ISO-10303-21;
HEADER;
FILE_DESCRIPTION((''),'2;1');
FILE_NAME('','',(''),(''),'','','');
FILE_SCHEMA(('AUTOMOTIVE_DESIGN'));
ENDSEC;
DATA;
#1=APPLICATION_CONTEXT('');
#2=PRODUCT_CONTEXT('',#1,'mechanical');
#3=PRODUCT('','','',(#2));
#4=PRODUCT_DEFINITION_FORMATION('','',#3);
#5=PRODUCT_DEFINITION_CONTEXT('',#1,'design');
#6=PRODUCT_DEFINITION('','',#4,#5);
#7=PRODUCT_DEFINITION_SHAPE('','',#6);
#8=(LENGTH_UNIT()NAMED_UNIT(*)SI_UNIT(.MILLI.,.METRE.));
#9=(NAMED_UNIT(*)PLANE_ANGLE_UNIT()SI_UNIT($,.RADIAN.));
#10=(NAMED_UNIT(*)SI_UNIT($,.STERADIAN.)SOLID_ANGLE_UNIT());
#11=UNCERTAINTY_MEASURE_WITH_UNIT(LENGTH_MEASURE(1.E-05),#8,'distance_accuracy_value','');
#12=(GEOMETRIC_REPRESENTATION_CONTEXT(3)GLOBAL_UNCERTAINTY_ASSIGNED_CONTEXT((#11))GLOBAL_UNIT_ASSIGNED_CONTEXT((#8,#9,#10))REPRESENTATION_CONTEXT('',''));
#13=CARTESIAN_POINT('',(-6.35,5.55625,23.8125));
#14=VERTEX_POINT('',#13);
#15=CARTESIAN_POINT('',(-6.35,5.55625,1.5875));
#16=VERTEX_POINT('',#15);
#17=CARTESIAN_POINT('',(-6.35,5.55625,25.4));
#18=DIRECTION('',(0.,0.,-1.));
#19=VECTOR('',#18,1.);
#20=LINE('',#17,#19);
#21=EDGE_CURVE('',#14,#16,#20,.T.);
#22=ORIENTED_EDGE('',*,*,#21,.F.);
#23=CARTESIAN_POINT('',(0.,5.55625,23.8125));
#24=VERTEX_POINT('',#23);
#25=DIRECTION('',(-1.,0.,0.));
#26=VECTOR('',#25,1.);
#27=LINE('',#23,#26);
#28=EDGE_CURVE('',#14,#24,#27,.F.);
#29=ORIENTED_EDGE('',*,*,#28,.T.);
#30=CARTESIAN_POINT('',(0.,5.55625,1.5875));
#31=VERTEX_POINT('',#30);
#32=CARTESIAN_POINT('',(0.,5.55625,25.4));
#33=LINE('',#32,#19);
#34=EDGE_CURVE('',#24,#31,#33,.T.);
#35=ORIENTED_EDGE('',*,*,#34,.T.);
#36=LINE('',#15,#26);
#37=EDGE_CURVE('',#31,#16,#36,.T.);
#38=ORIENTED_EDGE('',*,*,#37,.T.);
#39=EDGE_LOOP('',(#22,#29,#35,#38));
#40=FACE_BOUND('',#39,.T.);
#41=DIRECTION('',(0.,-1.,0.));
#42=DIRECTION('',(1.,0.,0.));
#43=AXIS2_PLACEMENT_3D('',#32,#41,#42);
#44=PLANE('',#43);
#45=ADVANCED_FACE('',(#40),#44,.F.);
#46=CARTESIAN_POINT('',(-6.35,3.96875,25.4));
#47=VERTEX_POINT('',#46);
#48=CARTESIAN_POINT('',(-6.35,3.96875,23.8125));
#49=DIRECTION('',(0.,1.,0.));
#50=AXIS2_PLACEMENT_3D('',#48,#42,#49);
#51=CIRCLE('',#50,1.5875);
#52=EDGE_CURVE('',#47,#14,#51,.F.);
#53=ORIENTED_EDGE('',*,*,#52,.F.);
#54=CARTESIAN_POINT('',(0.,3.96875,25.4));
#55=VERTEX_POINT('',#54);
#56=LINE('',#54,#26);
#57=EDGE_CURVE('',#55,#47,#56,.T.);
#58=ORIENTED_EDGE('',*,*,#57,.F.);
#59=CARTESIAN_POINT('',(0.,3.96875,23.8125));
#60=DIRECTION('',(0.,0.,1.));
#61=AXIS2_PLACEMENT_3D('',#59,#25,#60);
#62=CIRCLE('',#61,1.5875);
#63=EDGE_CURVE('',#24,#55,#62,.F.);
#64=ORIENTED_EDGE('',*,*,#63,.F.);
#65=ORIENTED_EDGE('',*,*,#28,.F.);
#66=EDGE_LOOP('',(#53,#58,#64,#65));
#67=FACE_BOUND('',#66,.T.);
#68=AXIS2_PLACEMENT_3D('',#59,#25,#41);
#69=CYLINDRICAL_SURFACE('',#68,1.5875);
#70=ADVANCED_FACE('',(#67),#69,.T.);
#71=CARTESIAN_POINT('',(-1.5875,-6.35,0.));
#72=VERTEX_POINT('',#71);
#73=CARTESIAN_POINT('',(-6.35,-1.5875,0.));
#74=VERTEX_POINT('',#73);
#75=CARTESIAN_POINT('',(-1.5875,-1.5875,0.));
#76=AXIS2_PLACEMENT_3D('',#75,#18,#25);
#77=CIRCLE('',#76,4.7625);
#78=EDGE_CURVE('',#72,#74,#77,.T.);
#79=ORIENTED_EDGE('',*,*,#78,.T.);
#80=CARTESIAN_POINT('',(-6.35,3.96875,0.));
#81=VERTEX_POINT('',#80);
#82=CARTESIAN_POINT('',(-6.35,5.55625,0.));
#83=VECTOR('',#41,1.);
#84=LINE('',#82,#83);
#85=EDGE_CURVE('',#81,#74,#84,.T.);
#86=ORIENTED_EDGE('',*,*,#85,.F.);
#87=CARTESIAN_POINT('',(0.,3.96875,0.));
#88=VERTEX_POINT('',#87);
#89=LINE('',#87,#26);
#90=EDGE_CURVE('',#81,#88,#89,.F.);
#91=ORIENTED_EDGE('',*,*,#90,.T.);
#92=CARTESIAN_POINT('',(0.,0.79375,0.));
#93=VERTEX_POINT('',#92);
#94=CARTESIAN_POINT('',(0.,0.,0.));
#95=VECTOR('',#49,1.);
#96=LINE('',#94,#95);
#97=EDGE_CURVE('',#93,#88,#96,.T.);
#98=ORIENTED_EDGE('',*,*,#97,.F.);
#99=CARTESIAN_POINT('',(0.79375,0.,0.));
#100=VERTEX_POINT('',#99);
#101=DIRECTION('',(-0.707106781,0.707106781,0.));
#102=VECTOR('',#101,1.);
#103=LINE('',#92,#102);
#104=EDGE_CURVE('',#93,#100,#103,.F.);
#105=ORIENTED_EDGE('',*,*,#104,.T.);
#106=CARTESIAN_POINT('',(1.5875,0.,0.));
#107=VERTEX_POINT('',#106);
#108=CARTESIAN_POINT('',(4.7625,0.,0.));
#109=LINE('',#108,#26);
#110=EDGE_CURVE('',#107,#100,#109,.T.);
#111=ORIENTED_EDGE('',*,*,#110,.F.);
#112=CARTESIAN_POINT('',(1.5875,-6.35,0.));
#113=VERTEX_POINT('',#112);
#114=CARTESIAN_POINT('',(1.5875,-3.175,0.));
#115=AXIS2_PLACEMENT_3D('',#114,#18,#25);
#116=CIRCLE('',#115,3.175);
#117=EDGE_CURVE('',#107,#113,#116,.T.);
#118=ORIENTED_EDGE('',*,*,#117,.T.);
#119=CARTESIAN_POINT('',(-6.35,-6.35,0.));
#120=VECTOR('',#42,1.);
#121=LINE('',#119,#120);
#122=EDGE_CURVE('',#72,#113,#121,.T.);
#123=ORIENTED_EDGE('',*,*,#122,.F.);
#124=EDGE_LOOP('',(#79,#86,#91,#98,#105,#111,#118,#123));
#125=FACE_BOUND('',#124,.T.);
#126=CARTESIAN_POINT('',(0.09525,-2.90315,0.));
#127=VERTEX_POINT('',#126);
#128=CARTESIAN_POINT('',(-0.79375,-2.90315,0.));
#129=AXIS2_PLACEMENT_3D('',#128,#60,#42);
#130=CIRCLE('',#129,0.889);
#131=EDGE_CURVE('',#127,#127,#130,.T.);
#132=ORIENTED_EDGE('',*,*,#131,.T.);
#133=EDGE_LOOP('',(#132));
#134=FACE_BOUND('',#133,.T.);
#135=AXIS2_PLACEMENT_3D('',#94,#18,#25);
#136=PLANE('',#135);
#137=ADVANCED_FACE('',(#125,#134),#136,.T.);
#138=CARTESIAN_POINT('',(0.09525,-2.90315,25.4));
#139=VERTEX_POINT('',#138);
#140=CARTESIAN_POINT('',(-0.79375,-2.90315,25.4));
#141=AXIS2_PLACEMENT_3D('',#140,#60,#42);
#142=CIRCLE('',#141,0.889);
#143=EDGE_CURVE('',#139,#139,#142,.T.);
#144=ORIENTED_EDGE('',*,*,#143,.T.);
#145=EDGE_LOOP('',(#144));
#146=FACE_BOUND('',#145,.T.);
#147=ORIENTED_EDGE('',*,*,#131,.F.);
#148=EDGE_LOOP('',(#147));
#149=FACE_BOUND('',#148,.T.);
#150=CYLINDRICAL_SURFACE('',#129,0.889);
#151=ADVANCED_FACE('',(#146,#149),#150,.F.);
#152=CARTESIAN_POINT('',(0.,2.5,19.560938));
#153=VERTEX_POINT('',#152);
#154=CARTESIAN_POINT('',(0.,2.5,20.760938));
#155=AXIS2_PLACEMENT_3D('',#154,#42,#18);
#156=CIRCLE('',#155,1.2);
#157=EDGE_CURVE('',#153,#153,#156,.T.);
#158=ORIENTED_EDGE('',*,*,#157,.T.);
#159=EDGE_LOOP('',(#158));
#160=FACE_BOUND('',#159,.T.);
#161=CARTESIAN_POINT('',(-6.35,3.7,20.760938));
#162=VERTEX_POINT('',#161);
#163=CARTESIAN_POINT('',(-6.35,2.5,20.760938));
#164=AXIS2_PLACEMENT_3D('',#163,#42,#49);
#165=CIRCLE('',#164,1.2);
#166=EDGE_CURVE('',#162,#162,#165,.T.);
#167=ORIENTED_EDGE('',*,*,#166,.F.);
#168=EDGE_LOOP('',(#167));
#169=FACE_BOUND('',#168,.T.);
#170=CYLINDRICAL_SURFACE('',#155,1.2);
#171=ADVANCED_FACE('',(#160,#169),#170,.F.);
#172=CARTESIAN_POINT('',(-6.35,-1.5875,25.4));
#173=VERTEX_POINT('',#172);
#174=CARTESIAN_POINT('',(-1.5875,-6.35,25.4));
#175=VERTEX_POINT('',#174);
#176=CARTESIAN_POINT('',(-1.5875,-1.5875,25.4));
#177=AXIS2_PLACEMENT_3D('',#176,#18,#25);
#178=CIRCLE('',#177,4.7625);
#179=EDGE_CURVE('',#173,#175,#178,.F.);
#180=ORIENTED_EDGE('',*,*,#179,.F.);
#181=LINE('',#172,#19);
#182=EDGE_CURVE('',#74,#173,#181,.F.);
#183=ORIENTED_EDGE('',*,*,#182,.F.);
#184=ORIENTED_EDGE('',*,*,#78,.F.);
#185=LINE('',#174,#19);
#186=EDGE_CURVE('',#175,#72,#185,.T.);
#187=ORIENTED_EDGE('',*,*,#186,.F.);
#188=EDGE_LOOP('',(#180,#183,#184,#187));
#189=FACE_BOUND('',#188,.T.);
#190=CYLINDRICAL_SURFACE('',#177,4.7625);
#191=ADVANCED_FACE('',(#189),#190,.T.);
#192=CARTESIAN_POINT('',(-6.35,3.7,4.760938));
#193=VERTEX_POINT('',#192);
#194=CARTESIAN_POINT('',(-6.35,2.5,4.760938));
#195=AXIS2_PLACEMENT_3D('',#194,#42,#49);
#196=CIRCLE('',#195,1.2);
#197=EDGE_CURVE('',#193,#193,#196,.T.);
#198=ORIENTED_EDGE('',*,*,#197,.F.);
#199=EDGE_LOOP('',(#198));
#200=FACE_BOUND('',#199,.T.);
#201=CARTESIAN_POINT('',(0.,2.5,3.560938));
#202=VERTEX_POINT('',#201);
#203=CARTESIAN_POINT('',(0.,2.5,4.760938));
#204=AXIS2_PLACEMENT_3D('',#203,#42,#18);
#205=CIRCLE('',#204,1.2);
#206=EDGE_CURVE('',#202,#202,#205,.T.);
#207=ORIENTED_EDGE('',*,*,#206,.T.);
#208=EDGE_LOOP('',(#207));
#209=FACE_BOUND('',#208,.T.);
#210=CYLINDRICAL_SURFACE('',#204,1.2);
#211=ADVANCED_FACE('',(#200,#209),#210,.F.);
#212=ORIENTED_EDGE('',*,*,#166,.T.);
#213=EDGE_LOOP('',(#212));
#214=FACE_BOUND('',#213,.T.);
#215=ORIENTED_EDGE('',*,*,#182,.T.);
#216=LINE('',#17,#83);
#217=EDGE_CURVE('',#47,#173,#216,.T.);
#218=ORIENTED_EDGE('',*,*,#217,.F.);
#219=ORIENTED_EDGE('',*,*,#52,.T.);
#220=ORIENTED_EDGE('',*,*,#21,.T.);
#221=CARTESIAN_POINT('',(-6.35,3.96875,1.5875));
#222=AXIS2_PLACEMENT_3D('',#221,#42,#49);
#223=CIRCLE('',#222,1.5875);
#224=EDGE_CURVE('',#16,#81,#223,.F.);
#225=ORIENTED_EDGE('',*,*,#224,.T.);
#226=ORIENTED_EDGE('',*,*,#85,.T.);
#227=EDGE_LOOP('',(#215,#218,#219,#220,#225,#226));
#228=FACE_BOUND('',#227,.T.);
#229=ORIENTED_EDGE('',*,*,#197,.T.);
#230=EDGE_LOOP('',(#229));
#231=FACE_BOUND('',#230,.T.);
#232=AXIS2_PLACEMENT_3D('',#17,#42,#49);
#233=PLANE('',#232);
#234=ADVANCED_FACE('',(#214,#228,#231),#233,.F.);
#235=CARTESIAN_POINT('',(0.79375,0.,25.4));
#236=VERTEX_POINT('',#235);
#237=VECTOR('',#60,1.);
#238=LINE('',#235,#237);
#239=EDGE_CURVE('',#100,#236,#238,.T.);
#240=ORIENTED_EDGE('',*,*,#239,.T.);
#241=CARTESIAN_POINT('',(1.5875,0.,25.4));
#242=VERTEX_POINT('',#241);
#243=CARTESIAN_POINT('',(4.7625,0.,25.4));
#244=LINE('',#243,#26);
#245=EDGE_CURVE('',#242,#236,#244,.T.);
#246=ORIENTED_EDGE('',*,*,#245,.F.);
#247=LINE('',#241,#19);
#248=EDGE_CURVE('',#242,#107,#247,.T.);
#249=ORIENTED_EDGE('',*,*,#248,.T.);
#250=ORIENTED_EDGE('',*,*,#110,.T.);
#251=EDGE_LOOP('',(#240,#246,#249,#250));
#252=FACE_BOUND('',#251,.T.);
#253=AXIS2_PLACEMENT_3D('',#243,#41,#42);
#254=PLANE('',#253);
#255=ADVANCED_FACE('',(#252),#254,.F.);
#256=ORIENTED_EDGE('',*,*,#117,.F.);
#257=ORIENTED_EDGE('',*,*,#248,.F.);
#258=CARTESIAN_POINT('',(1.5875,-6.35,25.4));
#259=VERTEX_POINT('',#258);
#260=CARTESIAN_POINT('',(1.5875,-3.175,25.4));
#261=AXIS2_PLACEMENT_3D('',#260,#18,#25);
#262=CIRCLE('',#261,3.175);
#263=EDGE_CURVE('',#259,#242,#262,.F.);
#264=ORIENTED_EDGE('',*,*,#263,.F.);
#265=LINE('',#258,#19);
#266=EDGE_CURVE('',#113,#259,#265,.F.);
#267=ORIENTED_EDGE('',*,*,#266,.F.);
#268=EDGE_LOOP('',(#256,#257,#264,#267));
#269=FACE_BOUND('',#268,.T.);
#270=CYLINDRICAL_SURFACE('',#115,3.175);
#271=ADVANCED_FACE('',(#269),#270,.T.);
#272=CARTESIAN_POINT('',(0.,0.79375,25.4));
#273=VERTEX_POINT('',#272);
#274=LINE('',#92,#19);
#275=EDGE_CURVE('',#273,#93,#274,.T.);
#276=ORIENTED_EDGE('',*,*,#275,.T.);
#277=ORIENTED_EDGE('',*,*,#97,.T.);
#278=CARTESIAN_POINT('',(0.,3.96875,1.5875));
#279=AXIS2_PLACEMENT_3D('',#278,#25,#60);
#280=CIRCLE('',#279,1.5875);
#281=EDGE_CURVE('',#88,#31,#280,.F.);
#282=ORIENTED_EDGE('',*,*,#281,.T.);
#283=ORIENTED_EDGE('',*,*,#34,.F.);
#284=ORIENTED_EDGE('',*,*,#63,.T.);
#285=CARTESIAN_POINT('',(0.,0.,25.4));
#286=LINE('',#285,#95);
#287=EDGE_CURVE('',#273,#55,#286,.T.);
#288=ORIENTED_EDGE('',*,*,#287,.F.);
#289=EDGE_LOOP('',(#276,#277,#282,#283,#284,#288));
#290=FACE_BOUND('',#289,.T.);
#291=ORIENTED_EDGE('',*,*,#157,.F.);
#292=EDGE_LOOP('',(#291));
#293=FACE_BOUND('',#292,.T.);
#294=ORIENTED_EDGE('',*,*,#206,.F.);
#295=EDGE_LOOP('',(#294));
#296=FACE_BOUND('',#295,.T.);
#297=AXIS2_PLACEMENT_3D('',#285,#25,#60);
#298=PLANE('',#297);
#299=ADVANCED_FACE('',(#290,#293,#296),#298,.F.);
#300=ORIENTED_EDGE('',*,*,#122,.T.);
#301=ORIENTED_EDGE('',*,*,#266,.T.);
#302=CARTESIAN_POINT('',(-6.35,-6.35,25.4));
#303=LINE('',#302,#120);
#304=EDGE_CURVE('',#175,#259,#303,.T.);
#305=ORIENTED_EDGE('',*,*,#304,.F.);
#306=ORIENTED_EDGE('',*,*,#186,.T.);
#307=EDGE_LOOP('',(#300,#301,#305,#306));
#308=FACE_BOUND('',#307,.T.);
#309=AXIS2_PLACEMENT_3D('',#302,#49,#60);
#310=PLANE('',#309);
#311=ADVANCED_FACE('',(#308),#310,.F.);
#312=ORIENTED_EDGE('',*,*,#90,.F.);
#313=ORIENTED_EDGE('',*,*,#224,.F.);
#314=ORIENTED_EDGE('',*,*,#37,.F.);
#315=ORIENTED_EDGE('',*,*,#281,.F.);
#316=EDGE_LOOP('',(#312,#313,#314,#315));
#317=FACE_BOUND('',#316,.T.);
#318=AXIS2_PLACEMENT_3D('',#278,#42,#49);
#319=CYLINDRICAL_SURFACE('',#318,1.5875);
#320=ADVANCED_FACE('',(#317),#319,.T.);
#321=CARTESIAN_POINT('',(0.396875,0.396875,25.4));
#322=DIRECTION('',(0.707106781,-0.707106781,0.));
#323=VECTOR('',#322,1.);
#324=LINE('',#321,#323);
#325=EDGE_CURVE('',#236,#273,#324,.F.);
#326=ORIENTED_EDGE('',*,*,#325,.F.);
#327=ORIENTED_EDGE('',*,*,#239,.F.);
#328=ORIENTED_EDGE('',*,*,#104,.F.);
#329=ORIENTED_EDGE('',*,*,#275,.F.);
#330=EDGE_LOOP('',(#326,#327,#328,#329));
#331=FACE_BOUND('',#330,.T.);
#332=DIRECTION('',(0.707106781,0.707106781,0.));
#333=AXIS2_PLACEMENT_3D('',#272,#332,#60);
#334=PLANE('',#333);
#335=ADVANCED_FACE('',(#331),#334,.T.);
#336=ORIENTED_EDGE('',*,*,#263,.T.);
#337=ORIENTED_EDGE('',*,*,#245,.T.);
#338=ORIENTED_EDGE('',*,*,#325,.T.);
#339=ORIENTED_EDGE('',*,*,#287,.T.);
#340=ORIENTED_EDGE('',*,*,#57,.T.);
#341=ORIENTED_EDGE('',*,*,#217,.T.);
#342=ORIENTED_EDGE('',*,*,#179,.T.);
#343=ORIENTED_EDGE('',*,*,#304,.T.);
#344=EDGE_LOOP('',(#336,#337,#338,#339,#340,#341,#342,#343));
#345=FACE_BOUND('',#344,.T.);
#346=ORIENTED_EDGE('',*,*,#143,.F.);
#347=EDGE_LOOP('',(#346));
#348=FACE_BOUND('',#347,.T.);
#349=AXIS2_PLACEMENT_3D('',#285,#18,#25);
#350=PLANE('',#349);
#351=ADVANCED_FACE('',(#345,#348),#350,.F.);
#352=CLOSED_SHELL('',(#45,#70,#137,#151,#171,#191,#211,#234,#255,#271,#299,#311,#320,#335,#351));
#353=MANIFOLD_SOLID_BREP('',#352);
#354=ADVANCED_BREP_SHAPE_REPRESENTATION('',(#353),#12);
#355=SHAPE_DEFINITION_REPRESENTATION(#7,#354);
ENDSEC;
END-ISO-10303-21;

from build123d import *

# Parameters (mm, degrees)
BOSS_EXTRUDE1_DEPTH  = 25.4
CHAMFER1_SIZE        = 0.79375
SKETCH2_R            = 0.889
CUT_EXTRUDE1_DEPTH   = 27.940768363
M2_CLEARANCE_HOLE1_D = 2.4
FILLET1_RADIUS       = 3.175
FILLET1_LENGTH       = 25.4
FILLET2_R            = 4.7625
FILLET3_R            = 1.5875


with BuildPart() as part:
    # Sketch1 → Boss-Extrude1 (new body)
    with BuildSketch(Plane.XY):
        Polygon((0, 0), (0, 5.55625), (-6.35, 5.55625), (-6.35, -6.35), (4.7625, -6.35), (4.7625, 0), align=None)
    extrude(amount=BOSS_EXTRUDE1_DEPTH)

    # Chamfer1
    chamfer1_edges = [part.edges().sort_by_distance(p)[0] for p in [
        (0, 0, 12.7),
    ]]
    chamfer(chamfer1_edges, length=CHAMFER1_SIZE)

    # Sketch2 → Cut-Extrude1 (cut, through all)
    with BuildSketch(Plane.XY.offset(25.4)):
        with Locations((-0.79375, -2.90315)):
            Circle(SKETCH2_R)
    extrude(amount=-CUT_EXTRUDE1_DEPTH, mode=Mode.SUBTRACT)

    # M2 Clearance Hole1 (through all)
    with Locations(Plane(origin=(0, 0, 0), x_dir=(0, 0, -1), z_dir=(1, 0, 0))):
        with Locations((-20.7609375, 2.5), (-4.7609375, 2.5)):
            Hole(M2_CLEARANCE_HOLE1_D / 2)

    # Fillet1: full round fillet: the end face becomes a half cylinder, R = half its width
    fillet1_face = Plane((4.7625, -3.175, 12.7), x_dir=(0, 0, 1), z_dir=(1, 0, 0))  # on the end face: x along it, z out of the body
    fillet1_slab = fillet1_face.offset(-FILLET1_RADIUS / 2) * Box(FILLET1_LENGTH, 2 * FILLET1_RADIUS, FILLET1_RADIUS, mode=Mode.PRIVATE)  # the body's end, R deep
    fillet1_round = Plane((1.5875, -3.175, 12.7), x_dir=(1, 0, 0), z_dir=(0, 0, 1)) * Cylinder(FILLET1_RADIUS, FILLET1_LENGTH, mode=Mode.PRIVATE)  # its axis R under the face
    add(fillet1_slab - fillet1_round, mode=Mode.SUBTRACT)

    # Fillet2
    fillet2_edges = [part.edges().sort_by_distance(p)[0] for p in [
        (-6.35, -6.35, 12.7),
    ]]
    fillet(fillet2_edges, radius=FILLET2_R)

    # Fillet3
    fillet3_edges = [part.edges().sort_by_distance(p)[0] for p in [
        (-3.175, 5.55625, 25.4),
        (-3.175, 5.55625, 0),
    ]]
    fillet(fillet3_edges, radius=FILLET3_R)


solid = part.part
